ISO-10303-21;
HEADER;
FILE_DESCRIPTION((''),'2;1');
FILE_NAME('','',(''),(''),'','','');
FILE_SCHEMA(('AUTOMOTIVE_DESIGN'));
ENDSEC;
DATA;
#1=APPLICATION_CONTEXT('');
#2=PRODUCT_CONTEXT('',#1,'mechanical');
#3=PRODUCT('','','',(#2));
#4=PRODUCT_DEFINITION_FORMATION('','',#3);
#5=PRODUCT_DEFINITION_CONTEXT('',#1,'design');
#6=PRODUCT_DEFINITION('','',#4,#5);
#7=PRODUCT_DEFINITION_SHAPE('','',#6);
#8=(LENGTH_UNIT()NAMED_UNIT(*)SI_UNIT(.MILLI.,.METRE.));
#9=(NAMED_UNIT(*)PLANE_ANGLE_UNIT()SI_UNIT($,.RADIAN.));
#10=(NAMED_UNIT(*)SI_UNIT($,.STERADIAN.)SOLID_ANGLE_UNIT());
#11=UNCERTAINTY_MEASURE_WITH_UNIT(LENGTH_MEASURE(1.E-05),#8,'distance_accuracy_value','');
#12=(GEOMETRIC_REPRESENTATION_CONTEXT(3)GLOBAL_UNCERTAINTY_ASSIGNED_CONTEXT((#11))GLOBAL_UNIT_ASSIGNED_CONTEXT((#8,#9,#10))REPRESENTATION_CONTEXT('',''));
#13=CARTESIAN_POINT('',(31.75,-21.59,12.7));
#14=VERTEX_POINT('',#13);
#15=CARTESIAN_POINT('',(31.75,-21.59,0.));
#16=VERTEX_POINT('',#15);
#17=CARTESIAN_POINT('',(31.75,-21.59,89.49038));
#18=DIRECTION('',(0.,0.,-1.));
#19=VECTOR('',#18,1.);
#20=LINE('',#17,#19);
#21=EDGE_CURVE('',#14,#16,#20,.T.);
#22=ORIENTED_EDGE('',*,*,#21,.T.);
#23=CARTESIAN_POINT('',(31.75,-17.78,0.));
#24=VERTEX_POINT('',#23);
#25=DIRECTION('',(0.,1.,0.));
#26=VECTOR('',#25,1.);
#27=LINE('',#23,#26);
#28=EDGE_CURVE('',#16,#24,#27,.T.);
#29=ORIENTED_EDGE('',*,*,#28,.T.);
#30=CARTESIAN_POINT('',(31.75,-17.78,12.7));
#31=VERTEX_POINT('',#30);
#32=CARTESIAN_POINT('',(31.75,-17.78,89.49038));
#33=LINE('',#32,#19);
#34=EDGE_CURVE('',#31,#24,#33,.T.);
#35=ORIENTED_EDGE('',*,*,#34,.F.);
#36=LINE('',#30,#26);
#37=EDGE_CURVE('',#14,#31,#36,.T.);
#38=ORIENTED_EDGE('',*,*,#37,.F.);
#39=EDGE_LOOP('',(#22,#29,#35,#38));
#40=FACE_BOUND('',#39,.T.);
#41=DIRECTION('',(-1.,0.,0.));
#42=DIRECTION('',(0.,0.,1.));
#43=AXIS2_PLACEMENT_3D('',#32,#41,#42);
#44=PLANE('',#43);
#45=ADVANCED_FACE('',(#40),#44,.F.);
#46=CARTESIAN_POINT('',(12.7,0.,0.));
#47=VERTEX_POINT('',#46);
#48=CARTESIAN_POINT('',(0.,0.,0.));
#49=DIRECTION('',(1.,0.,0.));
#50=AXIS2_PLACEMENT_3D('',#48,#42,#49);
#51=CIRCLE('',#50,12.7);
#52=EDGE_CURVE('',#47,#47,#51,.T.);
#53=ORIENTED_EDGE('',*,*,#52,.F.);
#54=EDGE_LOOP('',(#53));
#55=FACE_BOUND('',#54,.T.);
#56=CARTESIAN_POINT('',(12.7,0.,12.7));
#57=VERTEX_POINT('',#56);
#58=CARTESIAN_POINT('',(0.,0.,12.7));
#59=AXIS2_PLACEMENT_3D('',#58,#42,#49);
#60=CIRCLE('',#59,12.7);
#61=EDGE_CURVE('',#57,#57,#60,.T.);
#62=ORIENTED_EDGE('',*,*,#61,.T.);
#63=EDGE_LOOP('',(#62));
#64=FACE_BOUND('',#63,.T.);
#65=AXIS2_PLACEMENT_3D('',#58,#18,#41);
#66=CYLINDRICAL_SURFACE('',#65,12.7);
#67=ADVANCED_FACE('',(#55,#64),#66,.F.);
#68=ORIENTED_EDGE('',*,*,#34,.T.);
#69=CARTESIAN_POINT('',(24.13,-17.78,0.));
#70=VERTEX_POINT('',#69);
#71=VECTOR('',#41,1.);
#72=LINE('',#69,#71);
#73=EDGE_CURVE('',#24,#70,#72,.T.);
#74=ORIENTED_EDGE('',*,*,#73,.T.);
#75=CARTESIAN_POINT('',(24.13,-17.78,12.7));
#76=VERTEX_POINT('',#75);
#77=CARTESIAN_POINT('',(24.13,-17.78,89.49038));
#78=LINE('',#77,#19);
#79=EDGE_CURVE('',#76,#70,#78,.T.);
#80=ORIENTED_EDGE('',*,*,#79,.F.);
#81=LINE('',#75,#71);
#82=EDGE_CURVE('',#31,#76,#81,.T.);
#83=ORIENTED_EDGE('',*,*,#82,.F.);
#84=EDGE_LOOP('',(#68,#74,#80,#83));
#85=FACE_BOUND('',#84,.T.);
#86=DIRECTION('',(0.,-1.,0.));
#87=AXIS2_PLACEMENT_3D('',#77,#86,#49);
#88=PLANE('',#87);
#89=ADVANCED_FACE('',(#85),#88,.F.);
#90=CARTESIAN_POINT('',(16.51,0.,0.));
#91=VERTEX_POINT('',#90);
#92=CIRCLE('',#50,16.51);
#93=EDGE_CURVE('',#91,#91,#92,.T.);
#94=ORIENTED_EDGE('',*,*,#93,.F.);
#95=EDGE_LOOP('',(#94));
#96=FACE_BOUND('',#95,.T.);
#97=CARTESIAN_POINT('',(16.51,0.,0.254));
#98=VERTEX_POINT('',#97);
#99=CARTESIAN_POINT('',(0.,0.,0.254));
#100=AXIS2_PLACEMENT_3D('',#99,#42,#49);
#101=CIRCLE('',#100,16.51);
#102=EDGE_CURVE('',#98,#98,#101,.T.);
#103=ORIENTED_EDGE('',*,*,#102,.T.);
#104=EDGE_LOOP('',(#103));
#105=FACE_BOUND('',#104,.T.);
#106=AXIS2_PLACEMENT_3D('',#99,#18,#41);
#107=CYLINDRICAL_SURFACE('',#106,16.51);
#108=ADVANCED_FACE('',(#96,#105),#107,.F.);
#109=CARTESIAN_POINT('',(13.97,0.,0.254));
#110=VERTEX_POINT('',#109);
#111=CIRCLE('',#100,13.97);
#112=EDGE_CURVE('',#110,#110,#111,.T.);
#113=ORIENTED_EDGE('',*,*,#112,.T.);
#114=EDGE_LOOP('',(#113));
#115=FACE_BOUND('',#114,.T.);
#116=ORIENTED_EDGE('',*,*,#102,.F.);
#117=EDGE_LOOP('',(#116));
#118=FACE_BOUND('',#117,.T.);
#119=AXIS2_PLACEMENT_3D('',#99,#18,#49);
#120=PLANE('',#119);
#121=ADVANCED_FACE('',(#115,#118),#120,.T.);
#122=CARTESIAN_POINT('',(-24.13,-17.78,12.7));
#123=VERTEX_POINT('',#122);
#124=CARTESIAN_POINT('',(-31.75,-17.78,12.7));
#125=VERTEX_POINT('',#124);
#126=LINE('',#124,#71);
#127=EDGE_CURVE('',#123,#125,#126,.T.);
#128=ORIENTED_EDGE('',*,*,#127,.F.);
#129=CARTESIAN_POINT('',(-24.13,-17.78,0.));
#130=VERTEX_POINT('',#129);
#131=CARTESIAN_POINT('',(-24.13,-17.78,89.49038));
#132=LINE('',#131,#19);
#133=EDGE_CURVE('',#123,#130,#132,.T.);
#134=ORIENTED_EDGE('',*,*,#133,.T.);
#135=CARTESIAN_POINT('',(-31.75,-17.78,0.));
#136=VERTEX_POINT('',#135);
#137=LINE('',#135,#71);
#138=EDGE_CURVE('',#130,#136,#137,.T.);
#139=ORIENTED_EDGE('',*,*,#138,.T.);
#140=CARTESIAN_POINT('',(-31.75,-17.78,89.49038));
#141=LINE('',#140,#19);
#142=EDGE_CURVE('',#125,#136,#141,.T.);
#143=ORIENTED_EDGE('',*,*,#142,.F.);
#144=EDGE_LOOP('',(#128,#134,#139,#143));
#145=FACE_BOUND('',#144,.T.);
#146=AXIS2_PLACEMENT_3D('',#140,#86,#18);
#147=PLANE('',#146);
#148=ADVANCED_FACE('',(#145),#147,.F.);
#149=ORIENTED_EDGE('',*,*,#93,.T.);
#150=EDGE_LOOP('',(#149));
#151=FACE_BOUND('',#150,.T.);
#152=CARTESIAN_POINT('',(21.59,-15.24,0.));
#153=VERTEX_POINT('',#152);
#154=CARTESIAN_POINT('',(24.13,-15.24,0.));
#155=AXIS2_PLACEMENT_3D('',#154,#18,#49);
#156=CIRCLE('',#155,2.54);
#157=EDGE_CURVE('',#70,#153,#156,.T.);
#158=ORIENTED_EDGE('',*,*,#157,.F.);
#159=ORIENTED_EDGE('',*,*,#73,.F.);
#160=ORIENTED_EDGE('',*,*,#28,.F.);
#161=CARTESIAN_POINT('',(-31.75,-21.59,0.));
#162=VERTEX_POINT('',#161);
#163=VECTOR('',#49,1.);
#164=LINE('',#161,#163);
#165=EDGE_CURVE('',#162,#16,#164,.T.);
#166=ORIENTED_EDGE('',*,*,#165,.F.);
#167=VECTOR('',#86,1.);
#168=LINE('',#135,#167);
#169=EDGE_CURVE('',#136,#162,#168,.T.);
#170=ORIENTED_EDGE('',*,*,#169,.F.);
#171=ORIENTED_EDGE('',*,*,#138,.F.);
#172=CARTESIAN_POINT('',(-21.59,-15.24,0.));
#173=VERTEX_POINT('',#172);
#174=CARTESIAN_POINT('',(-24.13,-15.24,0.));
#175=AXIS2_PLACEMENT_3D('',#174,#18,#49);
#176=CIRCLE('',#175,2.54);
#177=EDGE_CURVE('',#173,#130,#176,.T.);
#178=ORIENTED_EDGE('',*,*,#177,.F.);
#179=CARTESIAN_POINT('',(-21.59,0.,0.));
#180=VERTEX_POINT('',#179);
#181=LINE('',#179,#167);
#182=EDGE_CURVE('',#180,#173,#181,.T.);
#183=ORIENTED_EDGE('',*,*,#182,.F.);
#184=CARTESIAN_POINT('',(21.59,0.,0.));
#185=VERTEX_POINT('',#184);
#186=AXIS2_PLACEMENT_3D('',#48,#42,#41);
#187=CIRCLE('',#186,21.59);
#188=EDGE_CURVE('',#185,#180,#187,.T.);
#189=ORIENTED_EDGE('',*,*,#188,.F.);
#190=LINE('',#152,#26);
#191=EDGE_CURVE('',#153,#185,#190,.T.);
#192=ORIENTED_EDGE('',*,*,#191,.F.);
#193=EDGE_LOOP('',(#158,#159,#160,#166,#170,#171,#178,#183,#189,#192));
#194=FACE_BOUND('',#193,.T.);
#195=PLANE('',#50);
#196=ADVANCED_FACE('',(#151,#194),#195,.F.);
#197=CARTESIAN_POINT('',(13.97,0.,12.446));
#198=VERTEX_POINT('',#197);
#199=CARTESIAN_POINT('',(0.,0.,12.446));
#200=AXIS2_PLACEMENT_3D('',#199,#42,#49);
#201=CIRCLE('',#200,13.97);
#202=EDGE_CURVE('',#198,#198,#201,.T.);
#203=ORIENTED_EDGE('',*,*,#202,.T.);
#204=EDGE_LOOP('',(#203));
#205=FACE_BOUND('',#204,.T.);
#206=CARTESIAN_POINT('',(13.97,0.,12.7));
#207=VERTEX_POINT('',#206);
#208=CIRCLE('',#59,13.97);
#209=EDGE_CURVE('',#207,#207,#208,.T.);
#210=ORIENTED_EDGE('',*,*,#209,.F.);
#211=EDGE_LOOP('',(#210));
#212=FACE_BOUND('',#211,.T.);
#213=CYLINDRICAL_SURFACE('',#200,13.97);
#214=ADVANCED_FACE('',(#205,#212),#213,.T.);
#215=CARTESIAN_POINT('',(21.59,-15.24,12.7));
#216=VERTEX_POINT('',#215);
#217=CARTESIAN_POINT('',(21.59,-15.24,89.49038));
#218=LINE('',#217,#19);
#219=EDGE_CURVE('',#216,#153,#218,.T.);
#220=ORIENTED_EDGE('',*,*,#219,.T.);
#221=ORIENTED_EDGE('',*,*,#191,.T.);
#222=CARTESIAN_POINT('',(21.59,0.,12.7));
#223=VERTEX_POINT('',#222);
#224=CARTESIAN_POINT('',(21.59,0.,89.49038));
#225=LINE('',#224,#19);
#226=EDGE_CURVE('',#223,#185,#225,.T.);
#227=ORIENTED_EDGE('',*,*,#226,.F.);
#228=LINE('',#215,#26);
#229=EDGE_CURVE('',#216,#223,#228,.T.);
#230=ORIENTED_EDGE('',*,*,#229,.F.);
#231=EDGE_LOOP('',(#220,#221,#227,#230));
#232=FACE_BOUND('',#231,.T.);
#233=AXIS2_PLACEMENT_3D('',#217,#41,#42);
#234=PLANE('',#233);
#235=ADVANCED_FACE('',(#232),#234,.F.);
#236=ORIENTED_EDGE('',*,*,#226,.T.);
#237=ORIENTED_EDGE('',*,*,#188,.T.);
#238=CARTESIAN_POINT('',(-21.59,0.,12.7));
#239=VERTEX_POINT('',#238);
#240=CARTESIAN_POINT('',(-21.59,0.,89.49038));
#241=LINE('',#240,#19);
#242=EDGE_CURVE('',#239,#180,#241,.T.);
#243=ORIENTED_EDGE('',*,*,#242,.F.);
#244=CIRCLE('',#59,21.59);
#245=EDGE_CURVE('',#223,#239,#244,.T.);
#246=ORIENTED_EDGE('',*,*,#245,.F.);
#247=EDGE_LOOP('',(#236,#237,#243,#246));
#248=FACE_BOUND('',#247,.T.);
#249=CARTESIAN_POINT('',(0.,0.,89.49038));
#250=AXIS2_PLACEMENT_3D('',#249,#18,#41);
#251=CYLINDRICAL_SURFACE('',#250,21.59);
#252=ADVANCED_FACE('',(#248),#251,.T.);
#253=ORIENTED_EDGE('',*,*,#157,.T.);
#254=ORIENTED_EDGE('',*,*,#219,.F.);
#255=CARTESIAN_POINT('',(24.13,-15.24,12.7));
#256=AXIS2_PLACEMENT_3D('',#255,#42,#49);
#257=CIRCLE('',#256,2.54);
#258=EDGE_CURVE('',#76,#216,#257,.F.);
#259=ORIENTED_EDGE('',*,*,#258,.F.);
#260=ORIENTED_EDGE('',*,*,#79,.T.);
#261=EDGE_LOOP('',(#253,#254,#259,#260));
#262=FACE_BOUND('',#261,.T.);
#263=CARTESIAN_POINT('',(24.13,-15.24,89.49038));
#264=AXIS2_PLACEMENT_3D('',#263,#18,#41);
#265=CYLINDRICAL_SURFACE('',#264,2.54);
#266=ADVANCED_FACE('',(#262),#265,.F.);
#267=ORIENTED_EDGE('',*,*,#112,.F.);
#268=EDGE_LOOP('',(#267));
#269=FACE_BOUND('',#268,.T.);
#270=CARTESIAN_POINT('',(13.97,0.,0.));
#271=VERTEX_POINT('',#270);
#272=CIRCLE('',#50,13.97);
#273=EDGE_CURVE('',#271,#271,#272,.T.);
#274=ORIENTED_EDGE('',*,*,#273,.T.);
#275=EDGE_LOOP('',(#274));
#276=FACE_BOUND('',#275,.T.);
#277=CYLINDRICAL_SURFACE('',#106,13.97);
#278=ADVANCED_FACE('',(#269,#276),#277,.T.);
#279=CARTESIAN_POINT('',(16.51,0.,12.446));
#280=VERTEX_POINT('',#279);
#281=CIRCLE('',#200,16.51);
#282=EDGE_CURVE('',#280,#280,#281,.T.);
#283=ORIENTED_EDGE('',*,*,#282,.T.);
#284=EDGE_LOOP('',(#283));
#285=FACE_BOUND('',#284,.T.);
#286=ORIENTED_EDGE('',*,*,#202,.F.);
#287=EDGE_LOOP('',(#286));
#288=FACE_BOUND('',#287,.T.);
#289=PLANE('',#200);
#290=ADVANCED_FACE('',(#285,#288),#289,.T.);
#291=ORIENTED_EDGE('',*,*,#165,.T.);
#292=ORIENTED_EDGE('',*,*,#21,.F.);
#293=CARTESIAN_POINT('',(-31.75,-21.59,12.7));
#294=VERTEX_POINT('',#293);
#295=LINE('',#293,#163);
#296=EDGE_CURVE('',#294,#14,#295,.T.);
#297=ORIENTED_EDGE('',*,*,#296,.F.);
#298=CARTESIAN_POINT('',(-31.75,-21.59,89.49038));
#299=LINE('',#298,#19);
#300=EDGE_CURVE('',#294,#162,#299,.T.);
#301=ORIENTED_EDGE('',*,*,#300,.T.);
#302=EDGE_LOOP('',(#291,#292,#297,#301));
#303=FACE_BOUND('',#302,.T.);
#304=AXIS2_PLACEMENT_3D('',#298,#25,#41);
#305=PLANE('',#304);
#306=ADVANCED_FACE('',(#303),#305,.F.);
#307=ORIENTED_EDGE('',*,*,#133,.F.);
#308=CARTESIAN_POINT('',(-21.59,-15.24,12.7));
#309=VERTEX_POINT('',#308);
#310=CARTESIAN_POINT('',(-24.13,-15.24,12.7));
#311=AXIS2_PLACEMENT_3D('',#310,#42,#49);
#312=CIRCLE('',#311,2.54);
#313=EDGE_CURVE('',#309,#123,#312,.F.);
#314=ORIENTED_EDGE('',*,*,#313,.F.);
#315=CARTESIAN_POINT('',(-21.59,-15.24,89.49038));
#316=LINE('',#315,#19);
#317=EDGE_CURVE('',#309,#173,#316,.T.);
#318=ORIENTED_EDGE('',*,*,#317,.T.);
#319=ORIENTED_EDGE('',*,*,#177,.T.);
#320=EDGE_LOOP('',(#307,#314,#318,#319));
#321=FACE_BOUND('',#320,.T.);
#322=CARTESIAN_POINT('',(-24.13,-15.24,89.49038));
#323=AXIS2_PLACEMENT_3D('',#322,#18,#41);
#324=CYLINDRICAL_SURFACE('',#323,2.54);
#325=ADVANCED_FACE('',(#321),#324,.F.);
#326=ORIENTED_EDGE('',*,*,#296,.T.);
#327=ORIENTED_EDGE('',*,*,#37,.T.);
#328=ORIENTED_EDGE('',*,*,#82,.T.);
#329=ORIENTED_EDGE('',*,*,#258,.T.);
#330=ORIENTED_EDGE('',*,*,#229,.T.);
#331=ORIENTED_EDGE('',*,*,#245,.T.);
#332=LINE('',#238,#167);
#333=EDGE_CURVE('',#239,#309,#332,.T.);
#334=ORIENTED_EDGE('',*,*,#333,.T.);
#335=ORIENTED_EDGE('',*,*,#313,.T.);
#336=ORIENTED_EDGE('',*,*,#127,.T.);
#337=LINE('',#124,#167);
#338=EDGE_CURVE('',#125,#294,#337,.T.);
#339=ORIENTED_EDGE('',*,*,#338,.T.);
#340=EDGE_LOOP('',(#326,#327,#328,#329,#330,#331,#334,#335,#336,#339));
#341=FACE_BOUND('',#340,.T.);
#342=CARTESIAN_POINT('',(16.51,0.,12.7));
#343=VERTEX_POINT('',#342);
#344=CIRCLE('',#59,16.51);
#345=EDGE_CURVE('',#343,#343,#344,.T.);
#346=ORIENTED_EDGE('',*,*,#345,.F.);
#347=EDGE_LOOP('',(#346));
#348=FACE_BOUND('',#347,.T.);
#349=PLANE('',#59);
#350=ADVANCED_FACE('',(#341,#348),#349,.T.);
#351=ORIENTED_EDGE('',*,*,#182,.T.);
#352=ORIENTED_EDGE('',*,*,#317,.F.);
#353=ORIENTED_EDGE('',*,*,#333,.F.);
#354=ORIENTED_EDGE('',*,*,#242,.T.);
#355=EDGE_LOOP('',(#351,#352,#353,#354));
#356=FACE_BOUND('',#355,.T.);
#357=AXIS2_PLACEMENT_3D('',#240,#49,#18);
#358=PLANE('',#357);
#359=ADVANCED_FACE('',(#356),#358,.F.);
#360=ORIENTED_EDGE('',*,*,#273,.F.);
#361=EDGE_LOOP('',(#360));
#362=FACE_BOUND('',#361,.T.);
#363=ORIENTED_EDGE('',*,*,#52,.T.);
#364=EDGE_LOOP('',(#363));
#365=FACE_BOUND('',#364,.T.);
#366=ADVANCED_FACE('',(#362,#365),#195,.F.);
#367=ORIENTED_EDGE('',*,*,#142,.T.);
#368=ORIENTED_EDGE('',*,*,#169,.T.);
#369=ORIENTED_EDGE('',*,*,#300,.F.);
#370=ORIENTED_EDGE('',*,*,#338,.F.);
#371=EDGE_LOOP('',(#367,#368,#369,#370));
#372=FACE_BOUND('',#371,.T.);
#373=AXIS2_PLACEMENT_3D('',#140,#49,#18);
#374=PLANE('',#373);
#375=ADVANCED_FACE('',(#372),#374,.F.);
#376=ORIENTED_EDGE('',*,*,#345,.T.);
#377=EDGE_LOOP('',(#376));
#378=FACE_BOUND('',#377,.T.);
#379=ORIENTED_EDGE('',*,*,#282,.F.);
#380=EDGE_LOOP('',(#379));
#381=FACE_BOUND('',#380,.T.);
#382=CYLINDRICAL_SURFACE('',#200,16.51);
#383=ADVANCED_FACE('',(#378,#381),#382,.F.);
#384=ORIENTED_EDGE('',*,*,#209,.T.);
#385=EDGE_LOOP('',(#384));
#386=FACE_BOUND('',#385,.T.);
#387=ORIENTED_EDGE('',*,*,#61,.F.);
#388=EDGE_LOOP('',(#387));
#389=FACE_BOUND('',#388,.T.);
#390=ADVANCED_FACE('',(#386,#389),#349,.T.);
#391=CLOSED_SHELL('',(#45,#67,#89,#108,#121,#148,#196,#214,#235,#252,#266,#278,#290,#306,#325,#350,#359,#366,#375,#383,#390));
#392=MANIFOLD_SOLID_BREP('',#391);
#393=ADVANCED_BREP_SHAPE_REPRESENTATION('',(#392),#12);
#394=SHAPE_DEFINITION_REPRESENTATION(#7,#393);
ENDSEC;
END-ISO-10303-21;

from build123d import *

# Parameters (mm, degrees)
SKETCH1_R           = 17.78
SKETCH1_R_2         = 12.7
BOSS_EXTRUDE1_DEPTH = 12.7
SKETCH2_R           = 16.51
SKETCH2_R_2         = 13.97
CUT_EXTRUDE1_DEPTH  = 0.254
SKETCH3_R           = 17.78
BOSS_EXTRUDE3_DEPTH = 12.7


with BuildPart() as part:
    # Sketch1 → Boss-Extrude1 (new body)
    with BuildSketch(Plane.XY):
        Circle(SKETCH1_R)
        Circle(SKETCH1_R_2, mode=Mode.SUBTRACT)
    extrude(amount=BOSS_EXTRUDE1_DEPTH)

    # Sketch2 → Cut-Extrude1 (cut)
    with BuildSketch(Plane.XY.offset(12.7)):
        Circle(SKETCH2_R)
        Circle(SKETCH2_R_2, mode=Mode.SUBTRACT)
    cut_extrude1 = extrude(amount=-CUT_EXTRUDE1_DEPTH, mode=Mode.SUBTRACT)

    # Mirror1: Cut-Extrude1 across plane
    add(cut_extrude1.mirror(Plane.XY.offset(6.35)), mode=Mode.SUBTRACT)

    # Sketch3 → Boss-Extrude3 (add)
    with BuildSketch(Plane.XY):
        with BuildLine():
            Line((-31.75, -21.59), (31.75, -21.59))
            Line((31.75, -21.59), (31.75, -17.78))
            Line((31.75, -17.78), (24.13, -17.78))
            ThreePointArc((24.13, -17.78), (22.333948776, -17.036051224), (21.59, -15.24))
            Line((21.59, -15.24), (21.59, 0))
            ThreePointArc((21.59, 0), (0, 21.59), (-21.59, 0))
            Line((-21.59, 0), (-21.59, -15.24))
            ThreePointArc((-21.59, -15.24), (-22.333948776, -17.036051224), (-24.13, -17.78))
            Line((-24.13, -17.78), (-31.75, -17.78))
            Line((-31.75, -17.78), (-31.75, -21.59))
        make_face()
        Circle(SKETCH3_R, mode=Mode.SUBTRACT)
    extrude(amount=BOSS_EXTRUDE3_DEPTH)


solid = part.part
